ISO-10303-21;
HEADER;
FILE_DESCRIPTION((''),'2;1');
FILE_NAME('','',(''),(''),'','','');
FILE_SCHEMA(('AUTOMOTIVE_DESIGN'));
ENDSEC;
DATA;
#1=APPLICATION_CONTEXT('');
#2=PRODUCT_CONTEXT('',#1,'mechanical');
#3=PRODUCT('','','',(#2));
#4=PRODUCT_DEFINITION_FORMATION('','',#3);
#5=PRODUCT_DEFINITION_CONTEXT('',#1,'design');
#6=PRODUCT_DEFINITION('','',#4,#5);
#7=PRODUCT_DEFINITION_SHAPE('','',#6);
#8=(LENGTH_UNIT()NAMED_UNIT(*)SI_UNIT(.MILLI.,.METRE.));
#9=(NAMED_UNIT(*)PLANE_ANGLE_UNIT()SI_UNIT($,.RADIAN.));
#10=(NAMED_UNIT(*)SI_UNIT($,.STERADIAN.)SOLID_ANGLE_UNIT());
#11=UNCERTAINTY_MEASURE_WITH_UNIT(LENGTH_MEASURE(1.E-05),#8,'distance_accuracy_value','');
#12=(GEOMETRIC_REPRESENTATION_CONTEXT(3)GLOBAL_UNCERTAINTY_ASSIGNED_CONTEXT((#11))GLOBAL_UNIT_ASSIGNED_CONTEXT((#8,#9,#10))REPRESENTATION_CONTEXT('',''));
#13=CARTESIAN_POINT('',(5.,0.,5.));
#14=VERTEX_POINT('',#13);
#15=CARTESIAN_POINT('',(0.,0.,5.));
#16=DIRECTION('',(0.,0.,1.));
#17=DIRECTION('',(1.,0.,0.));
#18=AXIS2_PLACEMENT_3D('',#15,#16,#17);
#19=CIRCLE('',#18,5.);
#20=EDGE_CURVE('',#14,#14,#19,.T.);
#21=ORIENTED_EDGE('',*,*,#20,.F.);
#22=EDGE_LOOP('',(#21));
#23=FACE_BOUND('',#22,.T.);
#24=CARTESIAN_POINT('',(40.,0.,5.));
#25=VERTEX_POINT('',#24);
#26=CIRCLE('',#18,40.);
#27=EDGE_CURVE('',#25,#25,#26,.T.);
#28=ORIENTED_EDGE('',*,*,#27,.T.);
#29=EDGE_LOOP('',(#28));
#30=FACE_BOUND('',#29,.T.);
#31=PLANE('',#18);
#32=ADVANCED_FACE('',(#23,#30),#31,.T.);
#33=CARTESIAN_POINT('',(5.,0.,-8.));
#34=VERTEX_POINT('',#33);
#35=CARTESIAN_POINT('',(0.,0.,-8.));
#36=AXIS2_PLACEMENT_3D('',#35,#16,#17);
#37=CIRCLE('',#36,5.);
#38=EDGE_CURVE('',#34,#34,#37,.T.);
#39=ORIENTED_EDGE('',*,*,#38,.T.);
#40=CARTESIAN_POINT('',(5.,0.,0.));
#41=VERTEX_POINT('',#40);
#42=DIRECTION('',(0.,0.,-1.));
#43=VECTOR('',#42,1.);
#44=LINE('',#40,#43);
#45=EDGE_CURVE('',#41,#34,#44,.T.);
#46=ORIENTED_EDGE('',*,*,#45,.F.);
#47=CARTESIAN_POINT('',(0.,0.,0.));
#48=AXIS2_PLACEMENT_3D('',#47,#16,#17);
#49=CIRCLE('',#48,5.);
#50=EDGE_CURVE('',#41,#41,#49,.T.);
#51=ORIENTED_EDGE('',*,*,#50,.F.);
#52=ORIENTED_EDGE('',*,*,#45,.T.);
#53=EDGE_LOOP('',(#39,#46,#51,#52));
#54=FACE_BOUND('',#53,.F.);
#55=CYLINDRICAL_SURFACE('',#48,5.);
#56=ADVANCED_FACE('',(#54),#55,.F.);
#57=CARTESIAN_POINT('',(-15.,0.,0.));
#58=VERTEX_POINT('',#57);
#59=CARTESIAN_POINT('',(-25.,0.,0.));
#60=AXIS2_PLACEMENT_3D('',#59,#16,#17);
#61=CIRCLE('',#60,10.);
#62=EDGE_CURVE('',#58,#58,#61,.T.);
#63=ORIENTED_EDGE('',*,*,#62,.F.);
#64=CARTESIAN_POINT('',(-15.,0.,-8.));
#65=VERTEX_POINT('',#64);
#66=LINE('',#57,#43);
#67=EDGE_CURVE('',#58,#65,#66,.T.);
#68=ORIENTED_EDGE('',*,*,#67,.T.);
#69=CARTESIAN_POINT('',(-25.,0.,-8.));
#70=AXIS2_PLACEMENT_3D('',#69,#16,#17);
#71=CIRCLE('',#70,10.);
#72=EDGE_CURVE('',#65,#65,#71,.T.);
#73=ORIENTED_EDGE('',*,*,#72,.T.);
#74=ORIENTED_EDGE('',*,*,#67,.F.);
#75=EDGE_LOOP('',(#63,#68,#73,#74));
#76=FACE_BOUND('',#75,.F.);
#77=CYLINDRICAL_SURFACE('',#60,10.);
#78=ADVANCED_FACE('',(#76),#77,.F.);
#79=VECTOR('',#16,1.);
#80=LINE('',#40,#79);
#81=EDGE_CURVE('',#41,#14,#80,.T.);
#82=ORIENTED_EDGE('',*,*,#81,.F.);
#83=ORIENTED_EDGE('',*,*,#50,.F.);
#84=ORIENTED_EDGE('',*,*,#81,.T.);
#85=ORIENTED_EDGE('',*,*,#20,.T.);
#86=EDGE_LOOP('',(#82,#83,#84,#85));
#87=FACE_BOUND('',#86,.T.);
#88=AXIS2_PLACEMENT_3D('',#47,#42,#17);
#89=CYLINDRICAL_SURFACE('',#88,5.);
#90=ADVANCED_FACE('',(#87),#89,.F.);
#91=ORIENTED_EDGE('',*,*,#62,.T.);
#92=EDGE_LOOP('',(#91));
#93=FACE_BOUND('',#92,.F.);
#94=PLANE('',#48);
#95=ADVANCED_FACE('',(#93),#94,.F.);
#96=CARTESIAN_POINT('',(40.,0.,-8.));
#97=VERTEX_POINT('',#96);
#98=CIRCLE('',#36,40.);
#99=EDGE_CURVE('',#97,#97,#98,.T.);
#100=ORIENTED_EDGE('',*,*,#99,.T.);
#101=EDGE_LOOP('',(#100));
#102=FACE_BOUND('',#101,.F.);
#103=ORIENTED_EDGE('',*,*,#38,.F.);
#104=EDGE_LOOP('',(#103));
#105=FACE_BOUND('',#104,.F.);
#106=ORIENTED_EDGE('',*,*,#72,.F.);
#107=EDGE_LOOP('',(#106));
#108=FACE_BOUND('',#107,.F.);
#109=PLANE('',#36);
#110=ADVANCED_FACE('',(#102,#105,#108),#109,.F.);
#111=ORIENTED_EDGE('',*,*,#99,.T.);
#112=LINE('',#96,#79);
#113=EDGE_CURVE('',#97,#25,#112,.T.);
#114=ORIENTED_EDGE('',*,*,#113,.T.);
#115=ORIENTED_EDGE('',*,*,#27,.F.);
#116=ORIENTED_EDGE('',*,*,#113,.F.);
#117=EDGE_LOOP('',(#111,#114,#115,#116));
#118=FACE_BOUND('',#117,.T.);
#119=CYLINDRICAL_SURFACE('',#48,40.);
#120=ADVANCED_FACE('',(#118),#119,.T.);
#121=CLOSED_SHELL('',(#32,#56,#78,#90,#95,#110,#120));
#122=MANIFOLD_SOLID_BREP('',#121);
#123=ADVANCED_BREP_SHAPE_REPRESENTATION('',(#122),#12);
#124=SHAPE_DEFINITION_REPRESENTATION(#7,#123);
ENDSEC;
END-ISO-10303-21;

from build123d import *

# Parameters (mm, degrees)
F0_R     = 40
F0_R_2   = 10
F0_R_3   = 5
F1_DEPTH = 5
F2_DEPTH = 8


with BuildPart() as f1:
    # F0 (on Top) → F1 (new body)
    with BuildSketch(Plane.XY):
        Circle(F0_R)
        with Locations((-25, 0)):
            Circle(F0_R_2, mode=Mode.SUBTRACT)
        Circle(F0_R_3, mode=Mode.SUBTRACT)
        with Locations((-25, 0)):
            Circle(F0_R_2)
    extrude(amount=F1_DEPTH)

    # F0 (on Top) → F2 (join)
    with BuildSketch(Plane.XY):
        Circle(F0_R)
        with Locations((-25, 0)):
            Circle(F0_R_2, mode=Mode.SUBTRACT)
        Circle(F0_R_3, mode=Mode.SUBTRACT)
    extrude(amount=-F2_DEPTH)


solid = f1.part
